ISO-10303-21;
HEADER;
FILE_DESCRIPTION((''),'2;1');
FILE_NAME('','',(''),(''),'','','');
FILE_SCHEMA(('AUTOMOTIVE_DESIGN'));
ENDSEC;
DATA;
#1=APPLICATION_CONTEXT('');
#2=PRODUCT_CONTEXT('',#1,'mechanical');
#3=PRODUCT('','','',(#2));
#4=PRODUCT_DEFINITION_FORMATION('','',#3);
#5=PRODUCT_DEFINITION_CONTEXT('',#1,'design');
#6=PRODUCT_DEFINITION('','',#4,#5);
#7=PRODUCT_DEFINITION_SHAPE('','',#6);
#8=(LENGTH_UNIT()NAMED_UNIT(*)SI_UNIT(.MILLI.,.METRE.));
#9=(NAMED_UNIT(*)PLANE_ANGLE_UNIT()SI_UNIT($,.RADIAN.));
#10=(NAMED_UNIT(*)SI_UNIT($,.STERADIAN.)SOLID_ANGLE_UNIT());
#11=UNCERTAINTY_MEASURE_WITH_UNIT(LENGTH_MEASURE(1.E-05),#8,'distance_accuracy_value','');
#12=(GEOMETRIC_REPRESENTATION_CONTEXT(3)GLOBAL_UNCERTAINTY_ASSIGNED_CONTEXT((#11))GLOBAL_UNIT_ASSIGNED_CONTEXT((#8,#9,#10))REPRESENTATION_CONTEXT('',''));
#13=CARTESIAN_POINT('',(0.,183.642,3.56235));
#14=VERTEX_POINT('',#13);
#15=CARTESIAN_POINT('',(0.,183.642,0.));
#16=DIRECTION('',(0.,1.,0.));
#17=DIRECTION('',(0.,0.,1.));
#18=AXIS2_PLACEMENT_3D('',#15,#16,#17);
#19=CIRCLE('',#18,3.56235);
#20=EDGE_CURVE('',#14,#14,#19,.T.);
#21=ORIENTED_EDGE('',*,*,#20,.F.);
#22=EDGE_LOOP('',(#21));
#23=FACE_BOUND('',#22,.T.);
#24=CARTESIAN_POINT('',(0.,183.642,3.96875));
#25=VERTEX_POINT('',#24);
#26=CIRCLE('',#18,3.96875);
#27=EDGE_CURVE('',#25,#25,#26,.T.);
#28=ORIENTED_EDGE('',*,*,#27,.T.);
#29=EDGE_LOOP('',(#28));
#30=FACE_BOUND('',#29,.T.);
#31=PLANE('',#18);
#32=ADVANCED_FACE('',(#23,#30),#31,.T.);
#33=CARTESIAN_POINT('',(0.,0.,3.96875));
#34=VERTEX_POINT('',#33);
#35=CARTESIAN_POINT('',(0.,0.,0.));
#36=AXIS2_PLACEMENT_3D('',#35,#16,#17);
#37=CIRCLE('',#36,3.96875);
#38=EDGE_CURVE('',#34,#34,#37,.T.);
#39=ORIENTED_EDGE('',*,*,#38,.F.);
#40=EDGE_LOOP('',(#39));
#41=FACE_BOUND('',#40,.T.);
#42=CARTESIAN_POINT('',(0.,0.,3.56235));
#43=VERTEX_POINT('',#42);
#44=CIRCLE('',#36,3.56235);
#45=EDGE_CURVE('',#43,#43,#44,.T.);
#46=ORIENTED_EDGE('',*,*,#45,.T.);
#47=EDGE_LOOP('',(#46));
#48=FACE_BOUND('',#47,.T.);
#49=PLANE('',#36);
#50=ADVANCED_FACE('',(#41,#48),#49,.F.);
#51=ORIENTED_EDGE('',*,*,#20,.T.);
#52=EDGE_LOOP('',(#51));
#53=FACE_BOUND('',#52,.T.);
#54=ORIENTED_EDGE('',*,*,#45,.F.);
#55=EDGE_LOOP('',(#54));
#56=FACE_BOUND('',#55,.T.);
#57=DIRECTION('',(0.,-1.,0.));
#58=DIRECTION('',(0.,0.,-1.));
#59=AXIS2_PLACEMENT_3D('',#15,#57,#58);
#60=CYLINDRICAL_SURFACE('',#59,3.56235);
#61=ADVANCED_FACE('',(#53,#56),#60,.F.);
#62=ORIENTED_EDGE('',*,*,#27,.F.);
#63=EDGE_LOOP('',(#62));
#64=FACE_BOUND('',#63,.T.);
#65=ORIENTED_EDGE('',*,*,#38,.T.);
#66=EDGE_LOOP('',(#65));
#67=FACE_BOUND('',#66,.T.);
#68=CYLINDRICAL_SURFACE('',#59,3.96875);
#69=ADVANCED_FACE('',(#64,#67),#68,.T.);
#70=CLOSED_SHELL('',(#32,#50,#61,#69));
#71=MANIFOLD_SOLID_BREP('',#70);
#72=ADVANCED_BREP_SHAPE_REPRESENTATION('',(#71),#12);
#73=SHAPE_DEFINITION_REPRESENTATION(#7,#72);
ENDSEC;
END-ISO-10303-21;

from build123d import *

# Parameters (mm, degrees)
SKETCH1_R           = 3.96875
SKETCH1_R_2         = 3.56235
BOSS_EXTRUDE1_DEPTH = 183.642


with BuildPart() as part:
    # Sketch1 → Boss-Extrude1 (new body)
    with BuildSketch(Plane(origin=(0, 0, 0), x_dir=(1, 0, 0), z_dir=(0, 1, 0))):
        with Locations(Location((0, 0, 0), (0, 0, 270))):
            Circle(SKETCH1_R)
        with Locations(Location((0, 0, 0), (0, 0, 270))):
            Circle(SKETCH1_R_2, mode=Mode.SUBTRACT)
    extrude(amount=BOSS_EXTRUDE1_DEPTH)


solid = part.part
